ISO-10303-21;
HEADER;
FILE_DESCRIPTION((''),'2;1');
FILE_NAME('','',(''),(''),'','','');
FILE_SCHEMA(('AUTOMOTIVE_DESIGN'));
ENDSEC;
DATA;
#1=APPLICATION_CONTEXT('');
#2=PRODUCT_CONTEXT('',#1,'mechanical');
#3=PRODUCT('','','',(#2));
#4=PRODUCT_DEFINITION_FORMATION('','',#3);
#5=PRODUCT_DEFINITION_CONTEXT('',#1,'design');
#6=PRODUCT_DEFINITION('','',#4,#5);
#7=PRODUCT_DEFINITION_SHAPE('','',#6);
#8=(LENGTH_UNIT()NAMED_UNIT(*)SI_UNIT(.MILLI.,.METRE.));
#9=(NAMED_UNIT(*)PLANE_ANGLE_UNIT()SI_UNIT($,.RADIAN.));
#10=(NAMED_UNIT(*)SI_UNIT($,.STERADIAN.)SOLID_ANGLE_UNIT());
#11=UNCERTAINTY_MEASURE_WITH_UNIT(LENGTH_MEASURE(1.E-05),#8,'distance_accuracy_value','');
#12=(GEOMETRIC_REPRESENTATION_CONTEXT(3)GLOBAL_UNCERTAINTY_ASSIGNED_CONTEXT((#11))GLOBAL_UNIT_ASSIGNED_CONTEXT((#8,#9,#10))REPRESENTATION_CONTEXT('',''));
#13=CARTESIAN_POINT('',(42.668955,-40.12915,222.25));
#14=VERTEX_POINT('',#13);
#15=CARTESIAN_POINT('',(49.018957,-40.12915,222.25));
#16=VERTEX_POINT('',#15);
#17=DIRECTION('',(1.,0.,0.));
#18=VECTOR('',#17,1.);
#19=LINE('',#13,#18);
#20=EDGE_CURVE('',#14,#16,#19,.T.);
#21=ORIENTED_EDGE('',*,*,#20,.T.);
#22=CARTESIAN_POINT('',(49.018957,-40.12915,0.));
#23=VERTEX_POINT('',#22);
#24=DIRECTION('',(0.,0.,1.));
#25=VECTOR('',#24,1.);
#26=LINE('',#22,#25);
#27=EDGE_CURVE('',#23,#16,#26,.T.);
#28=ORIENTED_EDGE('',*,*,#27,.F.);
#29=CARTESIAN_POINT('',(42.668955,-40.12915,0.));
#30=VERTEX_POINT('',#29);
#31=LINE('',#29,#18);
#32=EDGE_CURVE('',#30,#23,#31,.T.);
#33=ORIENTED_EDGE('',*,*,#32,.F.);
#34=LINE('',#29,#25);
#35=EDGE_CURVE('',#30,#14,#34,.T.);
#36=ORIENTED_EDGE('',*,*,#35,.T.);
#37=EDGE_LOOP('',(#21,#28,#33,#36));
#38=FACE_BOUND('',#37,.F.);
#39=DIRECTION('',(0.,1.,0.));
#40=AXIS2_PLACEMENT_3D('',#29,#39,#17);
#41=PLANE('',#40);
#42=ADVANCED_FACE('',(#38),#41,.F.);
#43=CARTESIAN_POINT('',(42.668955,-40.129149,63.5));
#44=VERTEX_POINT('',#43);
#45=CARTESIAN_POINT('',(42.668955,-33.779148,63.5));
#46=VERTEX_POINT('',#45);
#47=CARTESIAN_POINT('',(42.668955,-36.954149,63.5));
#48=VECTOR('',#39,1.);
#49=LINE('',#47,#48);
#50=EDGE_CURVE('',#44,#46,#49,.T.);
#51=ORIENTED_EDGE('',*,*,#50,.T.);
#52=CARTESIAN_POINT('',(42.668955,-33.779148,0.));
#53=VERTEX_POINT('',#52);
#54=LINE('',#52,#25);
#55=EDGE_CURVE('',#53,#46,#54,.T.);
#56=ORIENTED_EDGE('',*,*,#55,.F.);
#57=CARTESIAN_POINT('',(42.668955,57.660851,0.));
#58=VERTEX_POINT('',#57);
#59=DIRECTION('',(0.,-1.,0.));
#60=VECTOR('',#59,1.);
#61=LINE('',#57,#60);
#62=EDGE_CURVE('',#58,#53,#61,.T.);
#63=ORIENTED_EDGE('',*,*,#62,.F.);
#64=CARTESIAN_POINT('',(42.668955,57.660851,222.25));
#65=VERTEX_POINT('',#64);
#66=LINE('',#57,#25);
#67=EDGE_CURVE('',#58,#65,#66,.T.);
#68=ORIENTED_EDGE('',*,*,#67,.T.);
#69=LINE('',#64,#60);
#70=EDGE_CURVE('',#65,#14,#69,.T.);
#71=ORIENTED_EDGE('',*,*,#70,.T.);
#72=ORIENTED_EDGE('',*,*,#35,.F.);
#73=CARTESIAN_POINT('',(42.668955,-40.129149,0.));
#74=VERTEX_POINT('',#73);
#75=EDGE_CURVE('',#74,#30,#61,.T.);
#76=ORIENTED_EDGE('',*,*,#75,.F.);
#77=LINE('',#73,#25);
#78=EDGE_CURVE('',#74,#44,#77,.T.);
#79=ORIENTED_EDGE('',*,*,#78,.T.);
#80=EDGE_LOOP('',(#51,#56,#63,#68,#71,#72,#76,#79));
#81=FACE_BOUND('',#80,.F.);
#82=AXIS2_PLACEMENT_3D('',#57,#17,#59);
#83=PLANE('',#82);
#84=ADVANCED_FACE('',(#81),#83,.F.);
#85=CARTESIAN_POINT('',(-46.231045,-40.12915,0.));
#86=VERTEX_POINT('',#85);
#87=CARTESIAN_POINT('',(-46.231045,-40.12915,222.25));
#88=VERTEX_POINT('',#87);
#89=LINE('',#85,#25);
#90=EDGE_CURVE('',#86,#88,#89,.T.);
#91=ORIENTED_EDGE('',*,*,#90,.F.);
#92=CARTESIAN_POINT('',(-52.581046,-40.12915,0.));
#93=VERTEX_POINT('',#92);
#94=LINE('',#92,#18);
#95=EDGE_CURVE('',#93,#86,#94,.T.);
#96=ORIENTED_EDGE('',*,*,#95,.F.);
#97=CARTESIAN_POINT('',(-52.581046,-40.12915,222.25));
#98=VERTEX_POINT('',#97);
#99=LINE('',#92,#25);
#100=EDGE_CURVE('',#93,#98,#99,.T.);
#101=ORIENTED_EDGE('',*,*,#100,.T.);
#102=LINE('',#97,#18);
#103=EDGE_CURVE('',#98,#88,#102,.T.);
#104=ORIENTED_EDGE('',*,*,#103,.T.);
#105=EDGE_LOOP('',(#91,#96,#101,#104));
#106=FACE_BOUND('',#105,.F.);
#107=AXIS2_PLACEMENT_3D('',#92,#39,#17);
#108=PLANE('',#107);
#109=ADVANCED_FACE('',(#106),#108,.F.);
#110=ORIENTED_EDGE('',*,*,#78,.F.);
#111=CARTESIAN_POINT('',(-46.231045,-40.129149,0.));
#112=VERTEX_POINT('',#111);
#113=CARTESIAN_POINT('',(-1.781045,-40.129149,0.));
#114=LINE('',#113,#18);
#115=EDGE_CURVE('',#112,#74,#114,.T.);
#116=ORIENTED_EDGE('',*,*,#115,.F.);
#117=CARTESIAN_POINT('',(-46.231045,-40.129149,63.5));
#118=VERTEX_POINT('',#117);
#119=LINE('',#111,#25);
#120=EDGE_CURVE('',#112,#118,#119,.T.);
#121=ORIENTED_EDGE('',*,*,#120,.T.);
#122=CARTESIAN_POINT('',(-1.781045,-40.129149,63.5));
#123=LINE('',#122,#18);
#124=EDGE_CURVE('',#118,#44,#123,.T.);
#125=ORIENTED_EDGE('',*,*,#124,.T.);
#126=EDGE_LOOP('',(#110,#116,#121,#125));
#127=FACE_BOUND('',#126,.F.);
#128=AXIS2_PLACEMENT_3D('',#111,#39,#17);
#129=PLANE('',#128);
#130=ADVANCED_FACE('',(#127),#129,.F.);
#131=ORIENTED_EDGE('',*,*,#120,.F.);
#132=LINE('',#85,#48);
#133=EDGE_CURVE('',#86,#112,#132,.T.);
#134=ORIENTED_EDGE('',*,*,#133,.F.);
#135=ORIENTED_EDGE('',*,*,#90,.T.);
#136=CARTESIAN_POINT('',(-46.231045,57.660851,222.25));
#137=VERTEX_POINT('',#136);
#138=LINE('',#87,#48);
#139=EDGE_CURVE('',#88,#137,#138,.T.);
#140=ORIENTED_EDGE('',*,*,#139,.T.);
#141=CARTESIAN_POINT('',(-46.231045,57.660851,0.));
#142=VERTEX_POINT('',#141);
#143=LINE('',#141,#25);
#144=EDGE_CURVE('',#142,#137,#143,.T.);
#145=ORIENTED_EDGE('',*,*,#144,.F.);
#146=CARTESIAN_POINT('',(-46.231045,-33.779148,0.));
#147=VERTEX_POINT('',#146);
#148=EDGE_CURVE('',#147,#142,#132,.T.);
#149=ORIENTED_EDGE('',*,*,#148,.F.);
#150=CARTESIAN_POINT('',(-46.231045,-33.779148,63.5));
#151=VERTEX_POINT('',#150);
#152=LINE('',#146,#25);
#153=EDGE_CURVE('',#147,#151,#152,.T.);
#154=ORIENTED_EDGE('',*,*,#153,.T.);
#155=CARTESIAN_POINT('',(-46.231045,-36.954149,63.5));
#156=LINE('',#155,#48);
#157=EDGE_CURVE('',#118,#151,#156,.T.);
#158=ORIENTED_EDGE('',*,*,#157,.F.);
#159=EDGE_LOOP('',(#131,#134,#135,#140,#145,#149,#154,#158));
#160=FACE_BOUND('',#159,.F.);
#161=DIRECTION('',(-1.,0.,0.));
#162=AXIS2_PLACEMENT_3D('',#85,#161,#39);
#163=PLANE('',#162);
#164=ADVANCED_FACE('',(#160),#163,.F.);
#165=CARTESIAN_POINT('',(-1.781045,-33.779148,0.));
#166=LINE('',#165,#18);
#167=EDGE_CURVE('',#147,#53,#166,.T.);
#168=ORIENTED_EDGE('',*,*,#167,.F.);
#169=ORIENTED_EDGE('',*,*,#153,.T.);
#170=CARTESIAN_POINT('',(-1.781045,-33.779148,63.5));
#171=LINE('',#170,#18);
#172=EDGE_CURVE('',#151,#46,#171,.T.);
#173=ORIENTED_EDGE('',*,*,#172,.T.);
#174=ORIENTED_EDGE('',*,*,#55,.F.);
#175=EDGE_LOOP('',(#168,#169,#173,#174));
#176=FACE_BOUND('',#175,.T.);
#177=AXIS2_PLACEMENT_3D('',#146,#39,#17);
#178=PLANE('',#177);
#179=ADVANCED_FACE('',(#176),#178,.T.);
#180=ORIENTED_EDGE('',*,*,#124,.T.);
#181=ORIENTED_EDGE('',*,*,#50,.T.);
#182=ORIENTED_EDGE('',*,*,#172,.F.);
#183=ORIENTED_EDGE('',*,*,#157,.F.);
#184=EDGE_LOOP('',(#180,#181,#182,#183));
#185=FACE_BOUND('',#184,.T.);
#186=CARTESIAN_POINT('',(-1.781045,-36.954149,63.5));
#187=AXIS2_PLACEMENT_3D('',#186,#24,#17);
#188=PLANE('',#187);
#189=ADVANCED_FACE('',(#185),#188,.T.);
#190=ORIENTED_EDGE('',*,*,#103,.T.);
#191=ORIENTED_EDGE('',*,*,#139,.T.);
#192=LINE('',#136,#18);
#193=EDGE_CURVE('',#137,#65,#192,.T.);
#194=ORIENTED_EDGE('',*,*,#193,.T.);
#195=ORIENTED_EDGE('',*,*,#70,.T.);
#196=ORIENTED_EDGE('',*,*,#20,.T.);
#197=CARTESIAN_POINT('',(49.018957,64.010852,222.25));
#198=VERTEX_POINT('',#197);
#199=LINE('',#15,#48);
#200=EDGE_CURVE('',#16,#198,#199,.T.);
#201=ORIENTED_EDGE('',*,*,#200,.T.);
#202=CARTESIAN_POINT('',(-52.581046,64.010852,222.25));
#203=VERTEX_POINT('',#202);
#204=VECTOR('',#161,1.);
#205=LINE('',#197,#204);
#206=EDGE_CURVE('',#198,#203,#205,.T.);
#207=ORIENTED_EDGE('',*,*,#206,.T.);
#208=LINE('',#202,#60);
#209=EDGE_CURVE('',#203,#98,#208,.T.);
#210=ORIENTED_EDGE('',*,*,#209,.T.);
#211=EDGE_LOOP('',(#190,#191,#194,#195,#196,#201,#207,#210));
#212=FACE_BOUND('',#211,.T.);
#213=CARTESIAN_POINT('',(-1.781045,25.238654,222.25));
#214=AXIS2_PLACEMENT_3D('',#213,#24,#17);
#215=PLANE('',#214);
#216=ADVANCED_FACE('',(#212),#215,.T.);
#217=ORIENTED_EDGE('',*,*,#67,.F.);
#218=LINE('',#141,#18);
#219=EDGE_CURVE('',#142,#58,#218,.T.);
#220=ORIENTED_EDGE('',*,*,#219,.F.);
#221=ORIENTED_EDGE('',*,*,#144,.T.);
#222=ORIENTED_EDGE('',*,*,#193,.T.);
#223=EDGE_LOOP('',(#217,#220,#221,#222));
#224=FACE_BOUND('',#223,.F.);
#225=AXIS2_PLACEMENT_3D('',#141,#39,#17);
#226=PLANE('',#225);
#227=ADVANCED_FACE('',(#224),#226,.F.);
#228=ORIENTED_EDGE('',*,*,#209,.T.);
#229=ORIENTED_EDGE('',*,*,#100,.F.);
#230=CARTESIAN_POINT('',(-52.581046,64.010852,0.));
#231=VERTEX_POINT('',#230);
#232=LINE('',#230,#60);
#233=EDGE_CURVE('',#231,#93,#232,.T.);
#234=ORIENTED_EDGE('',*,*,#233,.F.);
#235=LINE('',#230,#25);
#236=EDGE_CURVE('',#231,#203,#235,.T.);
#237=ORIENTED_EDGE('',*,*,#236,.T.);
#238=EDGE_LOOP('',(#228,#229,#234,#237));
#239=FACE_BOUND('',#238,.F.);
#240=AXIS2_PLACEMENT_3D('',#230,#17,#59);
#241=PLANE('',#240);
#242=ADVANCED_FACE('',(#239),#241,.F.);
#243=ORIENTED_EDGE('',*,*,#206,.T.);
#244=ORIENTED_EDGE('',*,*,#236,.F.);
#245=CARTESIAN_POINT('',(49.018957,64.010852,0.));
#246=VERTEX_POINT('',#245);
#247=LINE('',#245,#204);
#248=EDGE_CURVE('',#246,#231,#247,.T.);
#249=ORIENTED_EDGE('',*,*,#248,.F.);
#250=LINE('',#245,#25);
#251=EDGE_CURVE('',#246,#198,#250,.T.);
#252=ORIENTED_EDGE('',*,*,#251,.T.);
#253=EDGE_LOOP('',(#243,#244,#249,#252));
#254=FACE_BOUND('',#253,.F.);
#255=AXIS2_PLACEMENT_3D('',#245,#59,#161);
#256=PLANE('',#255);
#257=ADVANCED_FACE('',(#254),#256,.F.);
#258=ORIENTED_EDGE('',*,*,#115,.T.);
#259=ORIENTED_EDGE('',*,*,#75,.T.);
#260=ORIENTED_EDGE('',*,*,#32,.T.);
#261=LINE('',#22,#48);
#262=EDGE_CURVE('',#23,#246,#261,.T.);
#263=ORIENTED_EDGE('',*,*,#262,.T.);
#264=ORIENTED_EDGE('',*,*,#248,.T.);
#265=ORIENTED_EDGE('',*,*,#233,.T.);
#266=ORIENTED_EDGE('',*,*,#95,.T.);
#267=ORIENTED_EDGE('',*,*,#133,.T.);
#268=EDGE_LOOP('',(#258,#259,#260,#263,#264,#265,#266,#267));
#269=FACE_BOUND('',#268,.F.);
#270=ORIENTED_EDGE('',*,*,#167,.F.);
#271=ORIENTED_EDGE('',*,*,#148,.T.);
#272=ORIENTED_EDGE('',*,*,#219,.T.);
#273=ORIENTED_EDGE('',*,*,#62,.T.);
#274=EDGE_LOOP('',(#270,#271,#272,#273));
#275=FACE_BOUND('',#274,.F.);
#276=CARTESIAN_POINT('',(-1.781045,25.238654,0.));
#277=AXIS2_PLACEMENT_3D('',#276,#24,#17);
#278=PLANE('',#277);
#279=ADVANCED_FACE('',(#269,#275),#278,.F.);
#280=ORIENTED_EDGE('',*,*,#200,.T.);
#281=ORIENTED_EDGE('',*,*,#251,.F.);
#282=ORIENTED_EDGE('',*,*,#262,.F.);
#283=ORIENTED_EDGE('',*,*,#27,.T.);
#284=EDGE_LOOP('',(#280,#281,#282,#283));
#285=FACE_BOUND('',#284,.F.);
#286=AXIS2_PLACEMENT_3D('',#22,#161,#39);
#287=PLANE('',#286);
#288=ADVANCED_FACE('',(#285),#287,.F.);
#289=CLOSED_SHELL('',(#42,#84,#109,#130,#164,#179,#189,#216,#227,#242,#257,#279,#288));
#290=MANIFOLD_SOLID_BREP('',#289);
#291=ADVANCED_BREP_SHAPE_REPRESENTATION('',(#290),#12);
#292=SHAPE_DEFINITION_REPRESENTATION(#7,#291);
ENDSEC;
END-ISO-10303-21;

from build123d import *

# Parameters (mm, degrees)
F0_W     = 88.9
F0_H     = 6.350001
F1_DEPTH = 63.5
F2_DEPTH = 222.25


with BuildPart() as f1:
    # F0 (on Top) → F1 (new body)
    with BuildSketch(Plane.XY):
        with Locations((-1.781045, -36.954149)):
            Rectangle(F0_W, F0_H)
    extrude(amount=F1_DEPTH)

    # F0 (on Top) → F2 (join)
    with BuildSketch(Plane.XY):
        Polygon((-46.231045, -33.779149), (-46.231045, 57.660851), (42.668955, 57.660851), (42.668955, -33.779149), (42.668955, -40.12915), (49.018957, -40.12915), (49.018957, 64.010852), (-52.581046, 64.010852), (-52.581046, -40.12915), (-46.231045, -40.12915), align=None)
    extrude(amount=F2_DEPTH)


solid = f1.part
